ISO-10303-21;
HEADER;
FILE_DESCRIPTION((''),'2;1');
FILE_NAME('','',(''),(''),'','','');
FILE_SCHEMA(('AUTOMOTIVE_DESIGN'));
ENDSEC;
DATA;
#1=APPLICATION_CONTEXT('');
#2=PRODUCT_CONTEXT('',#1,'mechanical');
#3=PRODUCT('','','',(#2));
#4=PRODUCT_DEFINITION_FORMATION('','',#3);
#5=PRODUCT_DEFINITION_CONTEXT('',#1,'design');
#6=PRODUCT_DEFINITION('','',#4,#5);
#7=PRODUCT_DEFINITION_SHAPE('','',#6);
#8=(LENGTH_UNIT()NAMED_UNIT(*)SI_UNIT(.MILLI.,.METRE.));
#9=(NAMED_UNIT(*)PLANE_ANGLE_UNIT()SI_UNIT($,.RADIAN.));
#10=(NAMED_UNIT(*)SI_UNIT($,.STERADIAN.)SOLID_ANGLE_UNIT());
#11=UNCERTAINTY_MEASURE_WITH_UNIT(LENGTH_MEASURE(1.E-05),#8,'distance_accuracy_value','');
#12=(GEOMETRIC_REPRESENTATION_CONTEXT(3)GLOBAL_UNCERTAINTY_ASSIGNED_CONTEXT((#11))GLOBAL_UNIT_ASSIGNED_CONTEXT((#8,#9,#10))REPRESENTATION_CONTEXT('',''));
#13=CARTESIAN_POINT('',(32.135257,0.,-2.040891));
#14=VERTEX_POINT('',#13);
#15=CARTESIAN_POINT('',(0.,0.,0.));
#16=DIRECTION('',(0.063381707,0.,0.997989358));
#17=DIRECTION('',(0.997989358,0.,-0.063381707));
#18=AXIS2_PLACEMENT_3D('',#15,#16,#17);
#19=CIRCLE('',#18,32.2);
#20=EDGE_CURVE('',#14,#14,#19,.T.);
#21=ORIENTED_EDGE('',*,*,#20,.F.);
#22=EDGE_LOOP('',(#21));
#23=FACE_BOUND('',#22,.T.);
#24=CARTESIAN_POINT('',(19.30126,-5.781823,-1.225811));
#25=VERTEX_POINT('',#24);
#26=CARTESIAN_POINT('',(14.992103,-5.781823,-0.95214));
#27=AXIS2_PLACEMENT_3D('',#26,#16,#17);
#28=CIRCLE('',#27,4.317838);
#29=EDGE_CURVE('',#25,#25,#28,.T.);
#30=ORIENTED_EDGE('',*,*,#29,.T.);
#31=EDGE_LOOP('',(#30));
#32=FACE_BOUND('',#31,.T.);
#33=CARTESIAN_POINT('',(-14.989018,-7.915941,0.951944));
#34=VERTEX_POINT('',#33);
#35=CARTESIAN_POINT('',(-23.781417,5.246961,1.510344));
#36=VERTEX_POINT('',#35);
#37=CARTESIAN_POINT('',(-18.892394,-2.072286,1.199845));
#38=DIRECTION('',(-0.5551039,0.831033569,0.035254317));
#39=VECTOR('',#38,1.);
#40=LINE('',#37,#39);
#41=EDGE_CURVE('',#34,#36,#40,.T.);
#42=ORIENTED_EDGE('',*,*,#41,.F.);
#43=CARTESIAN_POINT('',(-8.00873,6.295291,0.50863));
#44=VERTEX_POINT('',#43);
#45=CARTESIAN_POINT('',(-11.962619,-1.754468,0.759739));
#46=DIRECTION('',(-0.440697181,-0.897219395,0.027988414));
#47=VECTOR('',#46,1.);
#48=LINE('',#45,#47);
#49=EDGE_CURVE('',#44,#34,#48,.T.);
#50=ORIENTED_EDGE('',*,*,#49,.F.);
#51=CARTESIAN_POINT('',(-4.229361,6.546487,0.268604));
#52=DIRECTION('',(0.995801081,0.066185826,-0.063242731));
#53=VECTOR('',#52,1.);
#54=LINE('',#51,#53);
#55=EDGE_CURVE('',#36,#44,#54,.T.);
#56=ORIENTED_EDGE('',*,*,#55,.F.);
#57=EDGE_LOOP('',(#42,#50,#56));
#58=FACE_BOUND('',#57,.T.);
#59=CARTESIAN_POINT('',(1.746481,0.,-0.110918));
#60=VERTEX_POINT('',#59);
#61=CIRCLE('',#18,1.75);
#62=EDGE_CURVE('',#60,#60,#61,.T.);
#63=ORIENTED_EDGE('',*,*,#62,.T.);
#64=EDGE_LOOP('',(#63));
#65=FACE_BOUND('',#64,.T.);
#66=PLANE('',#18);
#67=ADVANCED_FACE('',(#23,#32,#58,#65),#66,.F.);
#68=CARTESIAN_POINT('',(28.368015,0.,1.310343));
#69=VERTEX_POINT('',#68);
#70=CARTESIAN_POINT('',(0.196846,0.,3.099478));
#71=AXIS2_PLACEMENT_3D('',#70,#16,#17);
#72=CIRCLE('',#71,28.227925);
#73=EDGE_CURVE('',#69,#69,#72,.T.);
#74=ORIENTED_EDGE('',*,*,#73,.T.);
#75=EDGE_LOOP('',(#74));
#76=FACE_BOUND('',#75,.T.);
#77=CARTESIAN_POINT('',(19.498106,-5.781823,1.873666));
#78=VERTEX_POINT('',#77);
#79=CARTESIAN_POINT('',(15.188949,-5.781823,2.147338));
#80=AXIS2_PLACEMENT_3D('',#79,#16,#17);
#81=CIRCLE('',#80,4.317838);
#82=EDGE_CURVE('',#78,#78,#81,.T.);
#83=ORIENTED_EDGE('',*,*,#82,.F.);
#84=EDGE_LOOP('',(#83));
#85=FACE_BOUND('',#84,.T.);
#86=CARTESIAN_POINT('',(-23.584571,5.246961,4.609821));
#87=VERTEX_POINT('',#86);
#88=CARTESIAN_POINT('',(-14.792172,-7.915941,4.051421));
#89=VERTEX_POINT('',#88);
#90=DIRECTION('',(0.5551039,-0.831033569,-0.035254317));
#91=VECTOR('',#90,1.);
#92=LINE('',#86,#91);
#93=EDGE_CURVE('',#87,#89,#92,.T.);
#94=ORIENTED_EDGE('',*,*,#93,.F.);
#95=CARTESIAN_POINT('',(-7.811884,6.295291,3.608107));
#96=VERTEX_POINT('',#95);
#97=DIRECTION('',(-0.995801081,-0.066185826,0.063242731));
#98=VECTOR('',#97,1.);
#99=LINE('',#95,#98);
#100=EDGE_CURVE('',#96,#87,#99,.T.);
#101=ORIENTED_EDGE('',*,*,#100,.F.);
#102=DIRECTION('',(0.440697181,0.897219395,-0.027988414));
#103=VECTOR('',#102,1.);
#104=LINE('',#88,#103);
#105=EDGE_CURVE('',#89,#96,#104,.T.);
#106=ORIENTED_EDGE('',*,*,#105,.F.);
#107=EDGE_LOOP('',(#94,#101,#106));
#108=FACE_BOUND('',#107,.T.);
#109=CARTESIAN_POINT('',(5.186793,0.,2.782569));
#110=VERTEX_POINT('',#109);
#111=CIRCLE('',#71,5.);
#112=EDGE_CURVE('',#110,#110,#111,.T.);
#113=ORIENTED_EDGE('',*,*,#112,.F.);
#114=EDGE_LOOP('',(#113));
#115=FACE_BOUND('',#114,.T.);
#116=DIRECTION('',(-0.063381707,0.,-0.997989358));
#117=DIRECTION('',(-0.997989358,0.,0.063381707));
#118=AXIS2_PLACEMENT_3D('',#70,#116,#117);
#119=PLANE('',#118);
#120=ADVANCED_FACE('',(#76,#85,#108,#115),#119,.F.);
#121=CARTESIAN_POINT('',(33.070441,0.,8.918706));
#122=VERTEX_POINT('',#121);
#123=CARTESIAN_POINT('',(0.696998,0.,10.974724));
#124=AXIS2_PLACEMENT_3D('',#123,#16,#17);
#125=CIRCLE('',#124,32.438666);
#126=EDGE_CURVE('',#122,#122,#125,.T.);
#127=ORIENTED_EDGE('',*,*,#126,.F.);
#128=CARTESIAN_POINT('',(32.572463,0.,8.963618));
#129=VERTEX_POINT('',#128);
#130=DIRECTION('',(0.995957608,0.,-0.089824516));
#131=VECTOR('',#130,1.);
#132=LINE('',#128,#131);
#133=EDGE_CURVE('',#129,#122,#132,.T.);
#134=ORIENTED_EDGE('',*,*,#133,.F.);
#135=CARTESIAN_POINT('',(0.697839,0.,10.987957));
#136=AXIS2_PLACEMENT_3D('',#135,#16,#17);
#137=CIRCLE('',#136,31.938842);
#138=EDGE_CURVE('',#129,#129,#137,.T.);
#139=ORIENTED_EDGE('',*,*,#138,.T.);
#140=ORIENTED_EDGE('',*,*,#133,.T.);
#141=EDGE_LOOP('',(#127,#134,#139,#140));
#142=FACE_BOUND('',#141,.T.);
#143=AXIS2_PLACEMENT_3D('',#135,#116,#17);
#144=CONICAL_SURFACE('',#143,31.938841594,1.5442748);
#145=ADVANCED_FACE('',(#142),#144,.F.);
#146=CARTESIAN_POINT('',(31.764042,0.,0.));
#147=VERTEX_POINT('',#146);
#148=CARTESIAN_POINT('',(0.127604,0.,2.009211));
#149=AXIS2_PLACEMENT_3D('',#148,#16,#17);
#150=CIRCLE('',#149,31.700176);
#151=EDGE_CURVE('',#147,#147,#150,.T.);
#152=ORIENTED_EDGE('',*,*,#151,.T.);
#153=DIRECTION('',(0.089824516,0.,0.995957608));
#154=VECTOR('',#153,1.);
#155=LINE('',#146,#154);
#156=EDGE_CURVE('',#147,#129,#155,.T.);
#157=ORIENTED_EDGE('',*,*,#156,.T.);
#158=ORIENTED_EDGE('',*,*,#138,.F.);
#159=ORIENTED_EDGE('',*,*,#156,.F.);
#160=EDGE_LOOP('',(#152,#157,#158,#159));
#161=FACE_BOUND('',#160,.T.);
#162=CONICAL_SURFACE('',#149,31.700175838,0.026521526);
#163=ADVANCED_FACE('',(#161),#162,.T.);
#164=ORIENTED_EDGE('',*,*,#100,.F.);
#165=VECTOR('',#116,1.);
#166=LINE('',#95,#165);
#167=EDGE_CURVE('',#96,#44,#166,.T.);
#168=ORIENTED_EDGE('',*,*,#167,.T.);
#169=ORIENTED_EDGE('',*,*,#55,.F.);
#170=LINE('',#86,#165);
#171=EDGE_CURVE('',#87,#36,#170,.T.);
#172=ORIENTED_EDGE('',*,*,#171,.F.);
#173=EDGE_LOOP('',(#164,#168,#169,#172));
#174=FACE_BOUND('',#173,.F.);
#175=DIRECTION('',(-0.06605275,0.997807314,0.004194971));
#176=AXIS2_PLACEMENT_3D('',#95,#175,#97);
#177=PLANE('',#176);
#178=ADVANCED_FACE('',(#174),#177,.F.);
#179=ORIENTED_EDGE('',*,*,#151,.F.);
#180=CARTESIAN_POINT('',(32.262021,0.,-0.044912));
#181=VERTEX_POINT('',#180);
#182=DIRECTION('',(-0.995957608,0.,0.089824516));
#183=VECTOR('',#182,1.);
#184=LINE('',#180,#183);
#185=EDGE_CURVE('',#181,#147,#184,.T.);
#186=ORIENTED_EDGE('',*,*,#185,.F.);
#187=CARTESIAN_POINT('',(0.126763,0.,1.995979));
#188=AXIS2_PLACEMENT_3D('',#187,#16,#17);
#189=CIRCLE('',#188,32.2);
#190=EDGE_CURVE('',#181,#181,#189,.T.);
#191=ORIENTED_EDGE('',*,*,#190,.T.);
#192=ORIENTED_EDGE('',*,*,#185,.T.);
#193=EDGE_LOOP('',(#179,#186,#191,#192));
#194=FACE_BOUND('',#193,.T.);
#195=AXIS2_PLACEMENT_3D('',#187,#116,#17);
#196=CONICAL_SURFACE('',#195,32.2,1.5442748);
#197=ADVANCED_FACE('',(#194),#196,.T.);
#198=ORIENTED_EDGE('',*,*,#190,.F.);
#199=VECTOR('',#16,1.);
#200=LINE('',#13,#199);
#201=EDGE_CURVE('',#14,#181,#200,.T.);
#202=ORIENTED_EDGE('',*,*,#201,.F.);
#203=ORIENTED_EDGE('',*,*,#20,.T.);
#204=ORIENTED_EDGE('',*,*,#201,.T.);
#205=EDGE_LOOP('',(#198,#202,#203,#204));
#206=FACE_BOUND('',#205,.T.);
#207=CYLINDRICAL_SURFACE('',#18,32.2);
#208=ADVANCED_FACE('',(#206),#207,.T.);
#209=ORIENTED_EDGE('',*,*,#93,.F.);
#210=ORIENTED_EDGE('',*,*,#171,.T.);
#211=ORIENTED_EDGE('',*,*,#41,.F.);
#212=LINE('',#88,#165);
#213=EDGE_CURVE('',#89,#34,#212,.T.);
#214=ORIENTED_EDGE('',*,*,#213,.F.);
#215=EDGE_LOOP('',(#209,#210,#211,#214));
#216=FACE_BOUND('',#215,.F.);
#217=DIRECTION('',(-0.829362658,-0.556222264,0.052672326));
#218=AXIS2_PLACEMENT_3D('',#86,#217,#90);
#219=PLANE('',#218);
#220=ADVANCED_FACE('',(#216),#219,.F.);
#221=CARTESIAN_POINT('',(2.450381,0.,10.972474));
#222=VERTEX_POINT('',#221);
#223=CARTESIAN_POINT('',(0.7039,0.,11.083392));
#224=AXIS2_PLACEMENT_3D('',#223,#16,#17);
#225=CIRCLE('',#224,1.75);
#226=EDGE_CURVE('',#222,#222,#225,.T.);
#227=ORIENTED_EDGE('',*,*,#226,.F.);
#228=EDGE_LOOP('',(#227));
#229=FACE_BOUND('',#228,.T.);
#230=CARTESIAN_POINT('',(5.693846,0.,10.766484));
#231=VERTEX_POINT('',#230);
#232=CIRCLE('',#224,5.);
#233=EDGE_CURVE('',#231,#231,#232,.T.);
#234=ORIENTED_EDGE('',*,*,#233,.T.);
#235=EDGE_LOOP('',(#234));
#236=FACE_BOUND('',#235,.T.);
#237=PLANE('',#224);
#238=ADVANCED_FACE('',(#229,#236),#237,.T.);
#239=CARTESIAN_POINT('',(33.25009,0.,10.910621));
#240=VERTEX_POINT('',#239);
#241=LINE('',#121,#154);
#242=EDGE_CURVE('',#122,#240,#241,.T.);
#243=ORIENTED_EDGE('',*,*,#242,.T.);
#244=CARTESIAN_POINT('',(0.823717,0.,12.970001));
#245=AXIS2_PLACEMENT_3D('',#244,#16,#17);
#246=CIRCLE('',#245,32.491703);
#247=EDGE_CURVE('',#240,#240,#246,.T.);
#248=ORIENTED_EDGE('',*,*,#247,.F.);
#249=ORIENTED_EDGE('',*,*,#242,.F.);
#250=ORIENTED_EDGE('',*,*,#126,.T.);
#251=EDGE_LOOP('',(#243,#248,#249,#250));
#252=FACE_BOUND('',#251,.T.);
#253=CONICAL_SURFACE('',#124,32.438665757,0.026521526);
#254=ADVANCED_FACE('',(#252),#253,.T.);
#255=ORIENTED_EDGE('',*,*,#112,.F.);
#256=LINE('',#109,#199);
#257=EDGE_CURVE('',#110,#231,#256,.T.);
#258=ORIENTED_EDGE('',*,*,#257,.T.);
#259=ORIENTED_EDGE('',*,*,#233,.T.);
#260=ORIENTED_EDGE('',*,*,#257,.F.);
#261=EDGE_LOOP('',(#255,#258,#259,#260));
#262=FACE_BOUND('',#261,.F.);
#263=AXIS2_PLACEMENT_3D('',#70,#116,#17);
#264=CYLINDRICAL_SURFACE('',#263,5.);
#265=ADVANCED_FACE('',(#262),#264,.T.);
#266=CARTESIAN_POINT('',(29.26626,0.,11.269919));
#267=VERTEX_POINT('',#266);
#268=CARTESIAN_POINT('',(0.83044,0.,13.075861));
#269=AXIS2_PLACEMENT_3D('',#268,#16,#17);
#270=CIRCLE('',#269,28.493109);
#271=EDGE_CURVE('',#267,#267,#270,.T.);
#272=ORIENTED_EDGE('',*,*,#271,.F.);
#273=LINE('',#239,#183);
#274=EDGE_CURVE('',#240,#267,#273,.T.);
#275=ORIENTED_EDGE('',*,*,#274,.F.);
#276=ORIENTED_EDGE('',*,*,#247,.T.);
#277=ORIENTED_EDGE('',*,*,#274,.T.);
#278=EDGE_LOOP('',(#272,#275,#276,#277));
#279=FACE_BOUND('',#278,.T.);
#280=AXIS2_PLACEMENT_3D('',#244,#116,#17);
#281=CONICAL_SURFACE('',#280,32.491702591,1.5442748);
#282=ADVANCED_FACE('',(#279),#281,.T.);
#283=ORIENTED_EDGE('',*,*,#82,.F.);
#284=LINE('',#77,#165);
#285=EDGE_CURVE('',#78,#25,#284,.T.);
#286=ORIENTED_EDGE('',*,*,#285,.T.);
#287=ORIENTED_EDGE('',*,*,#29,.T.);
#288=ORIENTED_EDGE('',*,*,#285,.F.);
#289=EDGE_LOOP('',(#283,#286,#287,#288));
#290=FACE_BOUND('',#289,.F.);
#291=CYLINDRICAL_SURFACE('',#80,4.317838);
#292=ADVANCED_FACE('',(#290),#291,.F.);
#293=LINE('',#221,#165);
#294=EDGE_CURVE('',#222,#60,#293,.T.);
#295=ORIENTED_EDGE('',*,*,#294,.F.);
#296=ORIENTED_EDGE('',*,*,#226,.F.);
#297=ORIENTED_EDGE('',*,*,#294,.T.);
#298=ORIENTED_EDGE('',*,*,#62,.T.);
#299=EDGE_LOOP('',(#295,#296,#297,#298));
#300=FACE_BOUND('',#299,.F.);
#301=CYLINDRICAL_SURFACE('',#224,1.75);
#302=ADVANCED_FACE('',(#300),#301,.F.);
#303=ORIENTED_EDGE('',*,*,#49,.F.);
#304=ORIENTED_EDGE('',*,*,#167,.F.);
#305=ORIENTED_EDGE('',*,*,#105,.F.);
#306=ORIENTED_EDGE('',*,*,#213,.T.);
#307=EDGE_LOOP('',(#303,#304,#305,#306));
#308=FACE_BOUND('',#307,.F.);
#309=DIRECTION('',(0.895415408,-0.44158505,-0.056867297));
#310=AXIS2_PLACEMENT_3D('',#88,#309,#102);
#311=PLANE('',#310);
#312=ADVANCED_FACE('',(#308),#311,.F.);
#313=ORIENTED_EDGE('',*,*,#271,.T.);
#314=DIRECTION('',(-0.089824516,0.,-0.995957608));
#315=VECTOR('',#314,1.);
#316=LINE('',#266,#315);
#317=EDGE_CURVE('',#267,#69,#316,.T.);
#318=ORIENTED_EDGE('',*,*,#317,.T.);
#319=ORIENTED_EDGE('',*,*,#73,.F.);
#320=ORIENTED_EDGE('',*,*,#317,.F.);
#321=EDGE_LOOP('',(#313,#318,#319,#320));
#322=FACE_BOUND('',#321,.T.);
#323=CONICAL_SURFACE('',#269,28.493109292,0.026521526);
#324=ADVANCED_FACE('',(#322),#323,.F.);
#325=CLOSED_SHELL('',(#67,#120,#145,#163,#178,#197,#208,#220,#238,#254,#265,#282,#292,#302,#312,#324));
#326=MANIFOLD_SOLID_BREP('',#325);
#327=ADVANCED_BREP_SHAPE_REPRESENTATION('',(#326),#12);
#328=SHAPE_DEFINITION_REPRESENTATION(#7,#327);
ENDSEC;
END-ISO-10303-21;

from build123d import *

# Parameters (mm, degrees)
F2_R     = 5
F3_DEPTH = 8
F4_R     = 1.75
F5_DEPTH = 40
F6_R     = 4.3178383785
F7_DEPTH = 25


with BuildPart() as f1:
    # F0 (on Front) → F1 (revolve)
    with BuildSketch(Plane.XZ):
        Polygon((0.1968459624, 3.0994775003), (0, 0), (32.1352573357, -2.0408909744), (32.2620207502, -0.0449122579), (31.7640419464, 0), (32.5724625894, 8.9636184693), (33.0704413932, 8.9187062114), (33.250090425, 10.9106214268), (29.2662599942, 11.2699194904), (28.3680148353, 1.3103434133), align=None)
    revolve(axis=Axis((0.0987262279, 0, 1.554513582), (0.0633817073, 0, 0.9979893583)))

    # F2 (on face) → F3 (join)
    with BuildSketch(Plane(origin=(0.1968459624, 0, 3.0994775003), x_dir=(0.9979893583, 0, -0.0633817073), z_dir=(0.0633817073, 0, 0.9979893583))):
        Circle(F2_R)
    extrude(amount=F3_DEPTH)

    # F4 (on face) → F5 (cut)
    with BuildSketch(Plane(origin=(0.7038996206, 0, 11.0833923663), x_dir=(0.9979893583, 0, -0.0633817073), z_dir=(0.0633817073, 0, 0.9979893583))):
        Circle(F4_R)
    extrude(amount=-F5_DEPTH, mode=Mode.SUBTRACT)

    # F6 (on face) → F7 (cut)
    with BuildSketch(Plane(origin=(0.1968459624, 0, 3.0994775003), x_dir=(0.9979893583, 0, -0.0633817073), z_dir=(0.0633817073, 0, 0.9979893583))):
        Polygon((-23.8293290344, 5.2469611813), (-15.0192163679, -7.9159412247), (-8.0248648301, 6.2952913577), align=None)
        with Locations((15.0223076344, -5.7818233036)):
            Circle(F6_R)
    extrude(amount=-F7_DEPTH, mode=Mode.SUBTRACT)


solid = f1.part
